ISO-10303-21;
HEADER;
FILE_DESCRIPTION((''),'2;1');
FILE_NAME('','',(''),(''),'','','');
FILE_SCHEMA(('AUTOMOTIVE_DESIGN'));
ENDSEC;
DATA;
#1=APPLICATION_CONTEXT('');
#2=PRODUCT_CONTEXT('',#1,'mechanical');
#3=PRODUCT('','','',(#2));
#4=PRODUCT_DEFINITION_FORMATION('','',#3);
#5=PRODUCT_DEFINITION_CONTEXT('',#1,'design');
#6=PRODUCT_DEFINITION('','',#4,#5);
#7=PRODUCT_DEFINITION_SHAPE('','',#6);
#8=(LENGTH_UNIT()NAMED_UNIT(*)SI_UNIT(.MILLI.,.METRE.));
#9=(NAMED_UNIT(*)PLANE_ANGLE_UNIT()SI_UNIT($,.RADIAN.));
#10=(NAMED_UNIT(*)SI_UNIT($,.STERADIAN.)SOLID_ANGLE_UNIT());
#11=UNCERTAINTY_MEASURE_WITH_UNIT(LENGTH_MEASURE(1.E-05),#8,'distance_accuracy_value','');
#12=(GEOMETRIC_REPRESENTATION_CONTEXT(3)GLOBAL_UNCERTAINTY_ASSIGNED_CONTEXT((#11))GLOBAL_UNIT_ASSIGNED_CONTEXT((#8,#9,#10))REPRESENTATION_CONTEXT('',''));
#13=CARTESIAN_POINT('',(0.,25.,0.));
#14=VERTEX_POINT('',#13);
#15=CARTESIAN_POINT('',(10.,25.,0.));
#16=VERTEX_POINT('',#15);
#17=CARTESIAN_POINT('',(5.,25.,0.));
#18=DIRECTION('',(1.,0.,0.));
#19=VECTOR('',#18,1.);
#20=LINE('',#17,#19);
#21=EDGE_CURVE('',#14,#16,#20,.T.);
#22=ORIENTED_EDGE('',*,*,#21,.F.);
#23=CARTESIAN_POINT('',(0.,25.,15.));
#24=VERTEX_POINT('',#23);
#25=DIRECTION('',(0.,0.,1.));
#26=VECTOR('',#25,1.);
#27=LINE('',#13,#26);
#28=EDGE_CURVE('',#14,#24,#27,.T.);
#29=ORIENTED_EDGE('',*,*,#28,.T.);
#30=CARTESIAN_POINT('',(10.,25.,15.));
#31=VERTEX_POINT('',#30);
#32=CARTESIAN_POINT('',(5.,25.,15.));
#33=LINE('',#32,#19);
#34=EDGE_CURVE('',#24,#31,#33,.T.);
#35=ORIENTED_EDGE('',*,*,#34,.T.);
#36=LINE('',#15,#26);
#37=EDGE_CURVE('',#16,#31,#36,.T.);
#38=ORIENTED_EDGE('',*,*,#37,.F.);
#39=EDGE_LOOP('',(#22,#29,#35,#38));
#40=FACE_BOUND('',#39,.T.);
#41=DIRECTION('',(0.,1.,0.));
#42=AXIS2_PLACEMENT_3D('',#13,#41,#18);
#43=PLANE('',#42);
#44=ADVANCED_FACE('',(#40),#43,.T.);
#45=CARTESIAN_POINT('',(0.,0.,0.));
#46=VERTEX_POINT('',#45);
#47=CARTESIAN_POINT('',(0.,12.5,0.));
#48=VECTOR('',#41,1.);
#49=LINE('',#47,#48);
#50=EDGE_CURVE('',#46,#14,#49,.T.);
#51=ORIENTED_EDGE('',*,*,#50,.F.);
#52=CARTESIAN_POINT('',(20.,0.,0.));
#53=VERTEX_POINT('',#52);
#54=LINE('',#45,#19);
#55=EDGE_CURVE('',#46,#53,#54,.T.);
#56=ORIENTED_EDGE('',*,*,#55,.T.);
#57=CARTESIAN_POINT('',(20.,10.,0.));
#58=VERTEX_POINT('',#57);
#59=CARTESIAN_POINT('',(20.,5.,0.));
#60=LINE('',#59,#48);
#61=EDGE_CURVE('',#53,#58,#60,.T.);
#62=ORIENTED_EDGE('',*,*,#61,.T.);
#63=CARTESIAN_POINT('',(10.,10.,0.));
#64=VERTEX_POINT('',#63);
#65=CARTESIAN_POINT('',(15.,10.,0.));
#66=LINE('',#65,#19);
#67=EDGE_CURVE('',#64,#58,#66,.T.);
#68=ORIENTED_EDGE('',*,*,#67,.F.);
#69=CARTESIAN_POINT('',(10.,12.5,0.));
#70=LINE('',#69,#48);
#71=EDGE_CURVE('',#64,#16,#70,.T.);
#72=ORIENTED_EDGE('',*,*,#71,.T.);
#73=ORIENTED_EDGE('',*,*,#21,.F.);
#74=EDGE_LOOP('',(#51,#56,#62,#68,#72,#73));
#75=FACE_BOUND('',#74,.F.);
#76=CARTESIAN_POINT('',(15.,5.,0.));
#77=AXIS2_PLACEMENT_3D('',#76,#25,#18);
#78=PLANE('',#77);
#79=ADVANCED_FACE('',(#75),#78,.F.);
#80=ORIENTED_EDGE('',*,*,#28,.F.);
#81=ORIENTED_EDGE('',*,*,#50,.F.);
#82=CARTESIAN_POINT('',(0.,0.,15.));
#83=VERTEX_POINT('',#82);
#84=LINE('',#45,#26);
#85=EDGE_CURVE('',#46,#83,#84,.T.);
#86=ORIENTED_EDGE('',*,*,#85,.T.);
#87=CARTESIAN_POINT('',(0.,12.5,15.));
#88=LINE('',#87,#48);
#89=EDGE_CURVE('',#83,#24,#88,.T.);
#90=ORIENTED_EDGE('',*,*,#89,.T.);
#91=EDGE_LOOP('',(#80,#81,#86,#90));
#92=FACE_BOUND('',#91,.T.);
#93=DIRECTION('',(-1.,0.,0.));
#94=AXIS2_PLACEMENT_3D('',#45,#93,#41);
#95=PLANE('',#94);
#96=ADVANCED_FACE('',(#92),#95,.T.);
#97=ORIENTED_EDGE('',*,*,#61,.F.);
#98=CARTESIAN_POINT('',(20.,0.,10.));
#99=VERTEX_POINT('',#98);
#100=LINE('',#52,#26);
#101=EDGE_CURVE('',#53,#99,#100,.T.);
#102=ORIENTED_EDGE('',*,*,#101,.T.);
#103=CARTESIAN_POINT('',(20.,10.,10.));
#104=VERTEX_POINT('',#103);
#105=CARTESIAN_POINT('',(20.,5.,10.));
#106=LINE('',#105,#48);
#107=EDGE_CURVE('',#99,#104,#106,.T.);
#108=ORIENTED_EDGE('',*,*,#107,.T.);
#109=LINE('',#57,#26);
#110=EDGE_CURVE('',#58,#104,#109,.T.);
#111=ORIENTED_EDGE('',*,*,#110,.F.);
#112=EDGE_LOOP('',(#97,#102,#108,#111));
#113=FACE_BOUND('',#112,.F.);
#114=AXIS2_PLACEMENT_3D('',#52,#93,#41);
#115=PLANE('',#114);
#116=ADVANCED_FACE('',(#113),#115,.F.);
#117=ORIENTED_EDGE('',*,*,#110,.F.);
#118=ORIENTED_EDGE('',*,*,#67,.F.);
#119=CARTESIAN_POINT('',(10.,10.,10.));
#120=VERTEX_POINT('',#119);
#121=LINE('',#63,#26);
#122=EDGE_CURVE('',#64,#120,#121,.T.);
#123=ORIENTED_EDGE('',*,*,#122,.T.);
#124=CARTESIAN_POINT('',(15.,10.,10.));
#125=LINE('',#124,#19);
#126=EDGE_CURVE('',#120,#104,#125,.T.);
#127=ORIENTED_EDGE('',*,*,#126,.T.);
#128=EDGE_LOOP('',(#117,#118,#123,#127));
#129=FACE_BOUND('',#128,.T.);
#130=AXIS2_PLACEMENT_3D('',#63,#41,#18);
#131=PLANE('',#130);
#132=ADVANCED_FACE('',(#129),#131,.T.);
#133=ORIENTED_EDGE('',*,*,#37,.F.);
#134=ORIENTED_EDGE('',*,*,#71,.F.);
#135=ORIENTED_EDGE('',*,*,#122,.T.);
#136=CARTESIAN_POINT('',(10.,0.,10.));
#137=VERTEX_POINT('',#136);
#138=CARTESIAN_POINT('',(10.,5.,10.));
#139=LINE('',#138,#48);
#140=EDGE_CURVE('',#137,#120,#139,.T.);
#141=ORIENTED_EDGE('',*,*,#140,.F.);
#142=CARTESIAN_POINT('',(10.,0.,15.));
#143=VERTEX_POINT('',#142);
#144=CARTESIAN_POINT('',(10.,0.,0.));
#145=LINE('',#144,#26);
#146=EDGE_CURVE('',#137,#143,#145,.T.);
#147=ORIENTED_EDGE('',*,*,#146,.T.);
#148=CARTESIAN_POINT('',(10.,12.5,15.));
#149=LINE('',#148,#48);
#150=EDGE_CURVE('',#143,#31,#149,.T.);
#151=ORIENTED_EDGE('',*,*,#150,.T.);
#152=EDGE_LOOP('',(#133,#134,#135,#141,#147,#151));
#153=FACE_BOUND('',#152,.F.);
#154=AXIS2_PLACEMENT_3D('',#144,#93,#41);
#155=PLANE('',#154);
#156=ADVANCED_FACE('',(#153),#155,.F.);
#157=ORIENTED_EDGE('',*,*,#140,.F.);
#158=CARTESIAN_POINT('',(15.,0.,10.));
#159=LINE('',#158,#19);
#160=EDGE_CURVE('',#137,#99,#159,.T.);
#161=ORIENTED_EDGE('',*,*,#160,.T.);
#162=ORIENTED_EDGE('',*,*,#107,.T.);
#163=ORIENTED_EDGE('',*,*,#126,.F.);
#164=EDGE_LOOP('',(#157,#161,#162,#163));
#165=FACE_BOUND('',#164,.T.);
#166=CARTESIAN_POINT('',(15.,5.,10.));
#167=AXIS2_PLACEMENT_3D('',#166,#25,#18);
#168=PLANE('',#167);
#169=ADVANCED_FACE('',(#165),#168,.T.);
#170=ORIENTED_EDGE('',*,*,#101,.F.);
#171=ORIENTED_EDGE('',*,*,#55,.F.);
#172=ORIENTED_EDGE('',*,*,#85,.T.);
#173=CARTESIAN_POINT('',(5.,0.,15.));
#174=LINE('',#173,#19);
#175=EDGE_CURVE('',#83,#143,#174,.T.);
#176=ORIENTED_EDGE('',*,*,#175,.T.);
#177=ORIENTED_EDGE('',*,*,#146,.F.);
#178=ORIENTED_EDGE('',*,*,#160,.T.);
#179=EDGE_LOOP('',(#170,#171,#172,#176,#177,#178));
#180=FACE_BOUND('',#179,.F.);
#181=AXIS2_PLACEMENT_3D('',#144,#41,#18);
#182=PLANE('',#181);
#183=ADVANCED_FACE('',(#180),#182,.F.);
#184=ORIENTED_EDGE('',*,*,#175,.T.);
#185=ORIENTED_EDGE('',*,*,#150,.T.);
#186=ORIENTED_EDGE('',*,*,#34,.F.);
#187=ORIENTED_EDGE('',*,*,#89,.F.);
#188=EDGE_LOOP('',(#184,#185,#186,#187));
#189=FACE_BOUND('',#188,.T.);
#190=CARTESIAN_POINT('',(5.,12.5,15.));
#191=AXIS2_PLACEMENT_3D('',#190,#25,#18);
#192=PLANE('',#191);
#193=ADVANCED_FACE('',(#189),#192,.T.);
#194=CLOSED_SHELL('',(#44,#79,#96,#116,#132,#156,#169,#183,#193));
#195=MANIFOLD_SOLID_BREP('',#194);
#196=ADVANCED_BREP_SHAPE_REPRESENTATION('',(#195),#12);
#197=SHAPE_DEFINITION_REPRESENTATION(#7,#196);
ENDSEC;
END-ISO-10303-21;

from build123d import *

# Parameters (mm, degrees)
BOX001_W     = 10
BOX001_H     = 10
BOX001_DEPTH = 10
BOX_W        = 10
BOX_H        = 25
BOX_DEPTH    = 15


with BuildPart() as box001:
    # Box001 → Box001 (new body)
    with BuildSketch(Plane(origin=(10, 0, 0), x_dir=(1, 0, 0), z_dir=(0, 0, 1))):
        with Locations((5, 5)):
            Rectangle(BOX001_W, BOX001_H)
    extrude(amount=BOX001_DEPTH)


with BuildPart() as fusion001:
    # Box → Box (new body)
    with BuildSketch(Plane.XY):
        with Locations((5, 12.5)):
            Rectangle(BOX_W, BOX_H)
    extrude(amount=BOX_DEPTH)

    # Fusion: union Box001
    add(box001.part)


solid = fusion001.part
